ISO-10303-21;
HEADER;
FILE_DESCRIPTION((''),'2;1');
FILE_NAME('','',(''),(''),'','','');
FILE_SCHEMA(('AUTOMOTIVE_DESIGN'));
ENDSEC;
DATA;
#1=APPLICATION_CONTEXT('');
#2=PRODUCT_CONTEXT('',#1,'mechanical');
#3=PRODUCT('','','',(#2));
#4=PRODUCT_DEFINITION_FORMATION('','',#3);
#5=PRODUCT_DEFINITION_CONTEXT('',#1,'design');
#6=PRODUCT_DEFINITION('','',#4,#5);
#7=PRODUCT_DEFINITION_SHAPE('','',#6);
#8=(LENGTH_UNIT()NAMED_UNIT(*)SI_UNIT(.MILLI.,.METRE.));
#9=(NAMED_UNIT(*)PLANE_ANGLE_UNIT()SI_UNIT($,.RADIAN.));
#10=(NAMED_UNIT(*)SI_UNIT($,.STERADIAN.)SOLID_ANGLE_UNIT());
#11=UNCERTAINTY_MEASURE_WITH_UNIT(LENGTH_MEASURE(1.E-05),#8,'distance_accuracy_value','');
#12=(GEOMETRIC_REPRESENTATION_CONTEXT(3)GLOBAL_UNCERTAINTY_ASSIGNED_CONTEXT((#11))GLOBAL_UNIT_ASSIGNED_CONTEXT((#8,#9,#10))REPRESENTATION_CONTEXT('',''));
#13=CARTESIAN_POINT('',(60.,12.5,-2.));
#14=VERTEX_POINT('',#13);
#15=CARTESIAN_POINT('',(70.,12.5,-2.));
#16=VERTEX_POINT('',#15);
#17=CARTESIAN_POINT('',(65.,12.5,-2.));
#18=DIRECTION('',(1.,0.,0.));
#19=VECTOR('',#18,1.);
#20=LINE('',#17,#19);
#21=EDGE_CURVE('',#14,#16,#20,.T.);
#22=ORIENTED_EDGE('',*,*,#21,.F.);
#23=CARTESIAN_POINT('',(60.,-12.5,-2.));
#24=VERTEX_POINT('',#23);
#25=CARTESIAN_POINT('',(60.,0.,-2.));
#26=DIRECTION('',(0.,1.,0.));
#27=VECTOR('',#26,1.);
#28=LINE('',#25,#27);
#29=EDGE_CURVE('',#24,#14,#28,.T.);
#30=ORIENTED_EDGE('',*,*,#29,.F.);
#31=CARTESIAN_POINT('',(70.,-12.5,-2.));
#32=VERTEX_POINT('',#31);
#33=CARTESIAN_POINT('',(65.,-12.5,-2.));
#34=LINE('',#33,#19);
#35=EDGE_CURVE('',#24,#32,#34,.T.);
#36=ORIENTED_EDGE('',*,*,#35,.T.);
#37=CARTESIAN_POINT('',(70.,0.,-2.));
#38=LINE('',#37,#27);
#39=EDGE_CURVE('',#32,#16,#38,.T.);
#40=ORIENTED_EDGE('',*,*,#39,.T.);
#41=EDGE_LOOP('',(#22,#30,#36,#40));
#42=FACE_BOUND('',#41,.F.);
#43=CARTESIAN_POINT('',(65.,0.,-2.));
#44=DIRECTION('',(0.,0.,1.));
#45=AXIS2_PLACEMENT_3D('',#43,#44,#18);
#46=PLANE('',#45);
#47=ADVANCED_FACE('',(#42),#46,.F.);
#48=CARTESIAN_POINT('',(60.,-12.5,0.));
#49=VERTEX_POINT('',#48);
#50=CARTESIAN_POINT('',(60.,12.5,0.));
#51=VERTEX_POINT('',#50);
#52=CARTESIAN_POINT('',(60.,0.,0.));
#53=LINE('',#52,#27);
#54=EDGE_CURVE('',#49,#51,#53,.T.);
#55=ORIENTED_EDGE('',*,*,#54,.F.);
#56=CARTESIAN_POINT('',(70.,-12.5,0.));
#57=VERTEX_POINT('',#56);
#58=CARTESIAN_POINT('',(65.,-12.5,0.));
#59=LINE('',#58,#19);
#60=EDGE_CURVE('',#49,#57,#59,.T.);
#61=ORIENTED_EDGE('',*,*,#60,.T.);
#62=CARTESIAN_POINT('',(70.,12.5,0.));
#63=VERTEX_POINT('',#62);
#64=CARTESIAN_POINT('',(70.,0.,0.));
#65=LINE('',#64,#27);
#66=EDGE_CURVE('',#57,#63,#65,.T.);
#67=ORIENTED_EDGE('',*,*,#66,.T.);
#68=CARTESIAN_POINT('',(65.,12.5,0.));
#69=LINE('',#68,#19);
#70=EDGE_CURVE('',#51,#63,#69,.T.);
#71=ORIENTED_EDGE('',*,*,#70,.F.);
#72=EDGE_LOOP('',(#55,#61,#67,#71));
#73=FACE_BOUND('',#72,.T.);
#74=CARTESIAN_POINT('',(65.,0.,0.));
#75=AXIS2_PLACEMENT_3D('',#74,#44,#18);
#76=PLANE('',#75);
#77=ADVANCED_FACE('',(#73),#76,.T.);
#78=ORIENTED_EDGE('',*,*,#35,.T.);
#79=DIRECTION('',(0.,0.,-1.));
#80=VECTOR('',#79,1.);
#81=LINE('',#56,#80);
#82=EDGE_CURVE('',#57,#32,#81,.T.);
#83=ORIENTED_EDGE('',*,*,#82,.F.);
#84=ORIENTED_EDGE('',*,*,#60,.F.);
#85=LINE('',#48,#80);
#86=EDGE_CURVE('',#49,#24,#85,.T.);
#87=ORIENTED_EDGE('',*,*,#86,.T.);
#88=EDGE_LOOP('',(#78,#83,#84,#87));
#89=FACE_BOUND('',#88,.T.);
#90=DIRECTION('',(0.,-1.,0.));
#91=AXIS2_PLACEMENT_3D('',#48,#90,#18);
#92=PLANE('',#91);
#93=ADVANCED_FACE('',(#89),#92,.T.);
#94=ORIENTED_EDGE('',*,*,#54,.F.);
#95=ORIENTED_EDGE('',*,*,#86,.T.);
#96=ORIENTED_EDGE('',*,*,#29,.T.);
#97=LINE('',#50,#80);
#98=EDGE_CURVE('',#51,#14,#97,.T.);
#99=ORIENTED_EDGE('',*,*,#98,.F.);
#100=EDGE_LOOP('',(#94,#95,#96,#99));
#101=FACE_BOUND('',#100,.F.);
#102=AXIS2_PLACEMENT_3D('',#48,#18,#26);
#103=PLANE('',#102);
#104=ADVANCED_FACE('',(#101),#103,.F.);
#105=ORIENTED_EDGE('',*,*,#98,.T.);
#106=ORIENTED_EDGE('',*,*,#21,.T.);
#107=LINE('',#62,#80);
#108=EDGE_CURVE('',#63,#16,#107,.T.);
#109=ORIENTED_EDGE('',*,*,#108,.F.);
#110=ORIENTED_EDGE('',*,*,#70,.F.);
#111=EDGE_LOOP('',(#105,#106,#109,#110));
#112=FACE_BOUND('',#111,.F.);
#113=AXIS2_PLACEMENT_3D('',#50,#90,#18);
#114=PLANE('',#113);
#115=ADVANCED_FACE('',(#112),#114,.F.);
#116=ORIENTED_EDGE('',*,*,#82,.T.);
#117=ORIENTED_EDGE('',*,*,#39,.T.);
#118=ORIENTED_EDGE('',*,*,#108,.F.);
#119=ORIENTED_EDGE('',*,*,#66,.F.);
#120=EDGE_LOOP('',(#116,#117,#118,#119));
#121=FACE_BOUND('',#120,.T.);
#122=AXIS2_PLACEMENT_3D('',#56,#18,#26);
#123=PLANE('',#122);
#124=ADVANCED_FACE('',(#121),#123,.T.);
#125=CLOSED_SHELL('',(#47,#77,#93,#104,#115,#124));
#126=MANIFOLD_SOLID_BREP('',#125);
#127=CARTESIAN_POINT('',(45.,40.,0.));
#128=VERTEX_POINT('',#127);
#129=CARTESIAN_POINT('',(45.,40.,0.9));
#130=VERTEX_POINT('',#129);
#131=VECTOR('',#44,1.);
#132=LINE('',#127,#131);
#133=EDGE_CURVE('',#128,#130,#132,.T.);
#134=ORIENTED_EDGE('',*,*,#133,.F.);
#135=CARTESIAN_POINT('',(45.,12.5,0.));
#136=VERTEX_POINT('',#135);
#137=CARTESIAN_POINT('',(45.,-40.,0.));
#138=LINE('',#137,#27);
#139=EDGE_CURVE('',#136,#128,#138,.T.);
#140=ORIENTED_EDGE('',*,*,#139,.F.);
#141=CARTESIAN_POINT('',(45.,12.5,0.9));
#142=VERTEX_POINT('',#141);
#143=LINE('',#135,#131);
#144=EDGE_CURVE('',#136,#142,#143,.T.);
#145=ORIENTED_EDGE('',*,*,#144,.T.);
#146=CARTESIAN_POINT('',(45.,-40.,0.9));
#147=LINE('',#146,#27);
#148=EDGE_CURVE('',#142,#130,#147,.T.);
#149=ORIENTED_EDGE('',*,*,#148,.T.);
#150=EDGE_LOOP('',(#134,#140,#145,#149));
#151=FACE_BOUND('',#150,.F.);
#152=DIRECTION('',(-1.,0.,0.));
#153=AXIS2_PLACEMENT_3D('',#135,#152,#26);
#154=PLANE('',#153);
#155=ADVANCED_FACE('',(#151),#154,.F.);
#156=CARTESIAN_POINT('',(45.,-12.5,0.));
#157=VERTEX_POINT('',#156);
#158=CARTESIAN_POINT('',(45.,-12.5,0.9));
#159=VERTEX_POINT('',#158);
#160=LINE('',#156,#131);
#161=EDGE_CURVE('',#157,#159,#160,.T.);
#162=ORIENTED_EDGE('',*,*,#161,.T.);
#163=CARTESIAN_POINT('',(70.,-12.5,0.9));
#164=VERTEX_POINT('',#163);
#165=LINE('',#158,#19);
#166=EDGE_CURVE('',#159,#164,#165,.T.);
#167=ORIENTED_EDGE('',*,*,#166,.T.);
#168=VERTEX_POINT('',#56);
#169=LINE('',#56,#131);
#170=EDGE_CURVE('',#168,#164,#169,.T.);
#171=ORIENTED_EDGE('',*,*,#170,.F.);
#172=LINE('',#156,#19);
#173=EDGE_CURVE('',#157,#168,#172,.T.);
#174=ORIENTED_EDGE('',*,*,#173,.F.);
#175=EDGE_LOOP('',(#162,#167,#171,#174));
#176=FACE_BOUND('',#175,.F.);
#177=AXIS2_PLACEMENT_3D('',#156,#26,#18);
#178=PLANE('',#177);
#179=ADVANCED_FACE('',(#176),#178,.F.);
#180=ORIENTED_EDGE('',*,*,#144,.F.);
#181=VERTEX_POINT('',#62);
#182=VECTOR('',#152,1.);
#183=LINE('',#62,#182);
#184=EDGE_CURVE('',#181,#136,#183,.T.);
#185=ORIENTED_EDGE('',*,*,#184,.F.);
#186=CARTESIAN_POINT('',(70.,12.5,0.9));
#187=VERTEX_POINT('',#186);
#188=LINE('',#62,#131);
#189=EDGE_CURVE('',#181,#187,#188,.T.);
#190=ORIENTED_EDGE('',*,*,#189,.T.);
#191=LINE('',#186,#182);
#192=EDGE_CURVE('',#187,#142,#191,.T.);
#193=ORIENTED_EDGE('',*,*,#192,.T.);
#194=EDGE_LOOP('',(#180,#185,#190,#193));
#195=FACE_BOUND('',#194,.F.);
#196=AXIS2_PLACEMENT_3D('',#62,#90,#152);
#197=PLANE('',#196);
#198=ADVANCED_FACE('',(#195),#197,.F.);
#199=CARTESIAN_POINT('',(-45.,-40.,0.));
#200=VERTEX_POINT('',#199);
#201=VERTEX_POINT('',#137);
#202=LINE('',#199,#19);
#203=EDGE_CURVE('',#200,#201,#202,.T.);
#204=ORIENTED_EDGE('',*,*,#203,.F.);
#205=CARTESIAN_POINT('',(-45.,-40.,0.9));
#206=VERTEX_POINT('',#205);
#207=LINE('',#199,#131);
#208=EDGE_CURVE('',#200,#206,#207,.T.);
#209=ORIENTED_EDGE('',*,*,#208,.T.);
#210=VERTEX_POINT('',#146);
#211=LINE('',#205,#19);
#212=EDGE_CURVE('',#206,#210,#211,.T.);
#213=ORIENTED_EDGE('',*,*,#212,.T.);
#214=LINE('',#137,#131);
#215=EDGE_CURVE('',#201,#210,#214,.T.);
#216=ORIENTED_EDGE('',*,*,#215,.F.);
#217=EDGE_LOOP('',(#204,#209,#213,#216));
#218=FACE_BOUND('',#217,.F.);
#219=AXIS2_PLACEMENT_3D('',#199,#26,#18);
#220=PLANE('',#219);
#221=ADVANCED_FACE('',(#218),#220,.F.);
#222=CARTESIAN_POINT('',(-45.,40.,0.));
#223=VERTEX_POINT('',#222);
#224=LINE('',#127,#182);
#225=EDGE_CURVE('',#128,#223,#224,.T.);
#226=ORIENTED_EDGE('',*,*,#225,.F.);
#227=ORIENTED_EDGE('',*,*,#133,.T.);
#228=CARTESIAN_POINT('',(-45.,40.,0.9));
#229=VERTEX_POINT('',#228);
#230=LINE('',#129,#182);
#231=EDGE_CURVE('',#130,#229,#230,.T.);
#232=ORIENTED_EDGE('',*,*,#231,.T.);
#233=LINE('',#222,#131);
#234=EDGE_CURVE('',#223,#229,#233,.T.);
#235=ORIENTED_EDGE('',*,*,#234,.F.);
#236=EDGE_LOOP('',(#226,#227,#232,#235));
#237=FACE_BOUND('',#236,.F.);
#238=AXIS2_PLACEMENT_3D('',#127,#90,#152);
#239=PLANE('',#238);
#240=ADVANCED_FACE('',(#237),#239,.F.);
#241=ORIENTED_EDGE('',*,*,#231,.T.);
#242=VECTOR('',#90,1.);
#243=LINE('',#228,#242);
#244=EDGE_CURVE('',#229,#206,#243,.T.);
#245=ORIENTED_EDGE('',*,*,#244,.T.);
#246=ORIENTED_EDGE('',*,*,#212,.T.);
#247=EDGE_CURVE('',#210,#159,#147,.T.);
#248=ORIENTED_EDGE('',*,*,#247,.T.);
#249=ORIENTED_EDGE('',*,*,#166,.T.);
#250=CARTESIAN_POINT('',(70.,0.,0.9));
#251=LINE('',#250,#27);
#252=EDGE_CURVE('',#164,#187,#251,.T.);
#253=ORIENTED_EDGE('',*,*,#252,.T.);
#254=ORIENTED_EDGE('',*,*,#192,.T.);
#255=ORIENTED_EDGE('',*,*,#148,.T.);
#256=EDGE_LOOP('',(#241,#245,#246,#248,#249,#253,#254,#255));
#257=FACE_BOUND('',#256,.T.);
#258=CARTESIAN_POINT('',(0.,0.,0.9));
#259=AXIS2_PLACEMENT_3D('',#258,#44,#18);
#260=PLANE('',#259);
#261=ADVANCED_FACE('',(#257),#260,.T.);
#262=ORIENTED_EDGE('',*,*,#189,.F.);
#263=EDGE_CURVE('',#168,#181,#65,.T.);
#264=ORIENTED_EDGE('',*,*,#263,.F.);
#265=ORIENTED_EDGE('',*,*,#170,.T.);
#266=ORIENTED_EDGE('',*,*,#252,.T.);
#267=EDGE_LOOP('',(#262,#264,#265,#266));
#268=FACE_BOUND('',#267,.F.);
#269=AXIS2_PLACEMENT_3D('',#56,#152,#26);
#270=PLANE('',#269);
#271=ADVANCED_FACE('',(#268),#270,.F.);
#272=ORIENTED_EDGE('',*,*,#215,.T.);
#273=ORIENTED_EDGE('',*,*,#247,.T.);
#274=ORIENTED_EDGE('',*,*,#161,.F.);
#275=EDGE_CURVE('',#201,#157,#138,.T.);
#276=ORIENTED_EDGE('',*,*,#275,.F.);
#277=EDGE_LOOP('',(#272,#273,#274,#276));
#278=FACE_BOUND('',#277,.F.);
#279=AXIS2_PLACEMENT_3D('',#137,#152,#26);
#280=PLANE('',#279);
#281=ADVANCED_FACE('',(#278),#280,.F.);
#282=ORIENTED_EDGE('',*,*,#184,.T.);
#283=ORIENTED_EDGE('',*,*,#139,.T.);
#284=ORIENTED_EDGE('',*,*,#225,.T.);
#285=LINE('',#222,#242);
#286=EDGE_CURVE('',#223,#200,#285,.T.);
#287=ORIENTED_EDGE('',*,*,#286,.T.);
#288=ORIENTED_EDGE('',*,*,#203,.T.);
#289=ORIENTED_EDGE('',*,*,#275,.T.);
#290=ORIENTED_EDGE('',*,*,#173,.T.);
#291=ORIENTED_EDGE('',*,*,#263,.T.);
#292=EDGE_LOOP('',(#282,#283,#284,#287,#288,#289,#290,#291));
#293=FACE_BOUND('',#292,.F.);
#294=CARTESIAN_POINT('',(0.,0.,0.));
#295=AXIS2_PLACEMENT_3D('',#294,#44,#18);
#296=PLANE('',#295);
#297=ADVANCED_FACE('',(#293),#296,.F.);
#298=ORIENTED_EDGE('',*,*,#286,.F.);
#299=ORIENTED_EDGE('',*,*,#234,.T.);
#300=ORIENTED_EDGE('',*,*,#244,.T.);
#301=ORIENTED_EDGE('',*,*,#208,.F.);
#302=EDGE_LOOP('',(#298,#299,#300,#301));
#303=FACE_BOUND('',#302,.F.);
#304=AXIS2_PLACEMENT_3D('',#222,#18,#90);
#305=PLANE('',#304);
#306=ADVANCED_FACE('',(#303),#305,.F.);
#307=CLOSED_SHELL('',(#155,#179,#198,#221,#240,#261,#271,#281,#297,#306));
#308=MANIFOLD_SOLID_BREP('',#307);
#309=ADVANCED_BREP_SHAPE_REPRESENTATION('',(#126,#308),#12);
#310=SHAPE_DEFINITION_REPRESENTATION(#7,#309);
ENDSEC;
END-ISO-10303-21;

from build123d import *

# Parameters (mm, degrees)
F0_W     = 15
F0_H     = 25
F0_W_2   = 10
F1_DEPTH = 0.9
F2_DEPTH = 2


with BuildPart() as f1:
    # F0 (on Top) → F1 (new body)
    with BuildSketch(Plane.XY):
        Polygon((45, 12.5), (45, 40), (-45, 40), (-45, -40), (45, -40), (45, -12.5), align=None)
        with Locations((52.5, 0)):
            Rectangle(F0_W, F0_H)
        with Locations((65, 0)):
            Rectangle(F0_W_2, F0_H)
    extrude(amount=F1_DEPTH)


with BuildPart() as f2:
    # F0 (on Top) → F2 (new body)
    with BuildSketch(Plane.XY):
        with Locations((65, 0)):
            Rectangle(F0_W_2, F0_H)
    extrude(amount=-F2_DEPTH)


solid = Compound([f1.part, f2.part])
